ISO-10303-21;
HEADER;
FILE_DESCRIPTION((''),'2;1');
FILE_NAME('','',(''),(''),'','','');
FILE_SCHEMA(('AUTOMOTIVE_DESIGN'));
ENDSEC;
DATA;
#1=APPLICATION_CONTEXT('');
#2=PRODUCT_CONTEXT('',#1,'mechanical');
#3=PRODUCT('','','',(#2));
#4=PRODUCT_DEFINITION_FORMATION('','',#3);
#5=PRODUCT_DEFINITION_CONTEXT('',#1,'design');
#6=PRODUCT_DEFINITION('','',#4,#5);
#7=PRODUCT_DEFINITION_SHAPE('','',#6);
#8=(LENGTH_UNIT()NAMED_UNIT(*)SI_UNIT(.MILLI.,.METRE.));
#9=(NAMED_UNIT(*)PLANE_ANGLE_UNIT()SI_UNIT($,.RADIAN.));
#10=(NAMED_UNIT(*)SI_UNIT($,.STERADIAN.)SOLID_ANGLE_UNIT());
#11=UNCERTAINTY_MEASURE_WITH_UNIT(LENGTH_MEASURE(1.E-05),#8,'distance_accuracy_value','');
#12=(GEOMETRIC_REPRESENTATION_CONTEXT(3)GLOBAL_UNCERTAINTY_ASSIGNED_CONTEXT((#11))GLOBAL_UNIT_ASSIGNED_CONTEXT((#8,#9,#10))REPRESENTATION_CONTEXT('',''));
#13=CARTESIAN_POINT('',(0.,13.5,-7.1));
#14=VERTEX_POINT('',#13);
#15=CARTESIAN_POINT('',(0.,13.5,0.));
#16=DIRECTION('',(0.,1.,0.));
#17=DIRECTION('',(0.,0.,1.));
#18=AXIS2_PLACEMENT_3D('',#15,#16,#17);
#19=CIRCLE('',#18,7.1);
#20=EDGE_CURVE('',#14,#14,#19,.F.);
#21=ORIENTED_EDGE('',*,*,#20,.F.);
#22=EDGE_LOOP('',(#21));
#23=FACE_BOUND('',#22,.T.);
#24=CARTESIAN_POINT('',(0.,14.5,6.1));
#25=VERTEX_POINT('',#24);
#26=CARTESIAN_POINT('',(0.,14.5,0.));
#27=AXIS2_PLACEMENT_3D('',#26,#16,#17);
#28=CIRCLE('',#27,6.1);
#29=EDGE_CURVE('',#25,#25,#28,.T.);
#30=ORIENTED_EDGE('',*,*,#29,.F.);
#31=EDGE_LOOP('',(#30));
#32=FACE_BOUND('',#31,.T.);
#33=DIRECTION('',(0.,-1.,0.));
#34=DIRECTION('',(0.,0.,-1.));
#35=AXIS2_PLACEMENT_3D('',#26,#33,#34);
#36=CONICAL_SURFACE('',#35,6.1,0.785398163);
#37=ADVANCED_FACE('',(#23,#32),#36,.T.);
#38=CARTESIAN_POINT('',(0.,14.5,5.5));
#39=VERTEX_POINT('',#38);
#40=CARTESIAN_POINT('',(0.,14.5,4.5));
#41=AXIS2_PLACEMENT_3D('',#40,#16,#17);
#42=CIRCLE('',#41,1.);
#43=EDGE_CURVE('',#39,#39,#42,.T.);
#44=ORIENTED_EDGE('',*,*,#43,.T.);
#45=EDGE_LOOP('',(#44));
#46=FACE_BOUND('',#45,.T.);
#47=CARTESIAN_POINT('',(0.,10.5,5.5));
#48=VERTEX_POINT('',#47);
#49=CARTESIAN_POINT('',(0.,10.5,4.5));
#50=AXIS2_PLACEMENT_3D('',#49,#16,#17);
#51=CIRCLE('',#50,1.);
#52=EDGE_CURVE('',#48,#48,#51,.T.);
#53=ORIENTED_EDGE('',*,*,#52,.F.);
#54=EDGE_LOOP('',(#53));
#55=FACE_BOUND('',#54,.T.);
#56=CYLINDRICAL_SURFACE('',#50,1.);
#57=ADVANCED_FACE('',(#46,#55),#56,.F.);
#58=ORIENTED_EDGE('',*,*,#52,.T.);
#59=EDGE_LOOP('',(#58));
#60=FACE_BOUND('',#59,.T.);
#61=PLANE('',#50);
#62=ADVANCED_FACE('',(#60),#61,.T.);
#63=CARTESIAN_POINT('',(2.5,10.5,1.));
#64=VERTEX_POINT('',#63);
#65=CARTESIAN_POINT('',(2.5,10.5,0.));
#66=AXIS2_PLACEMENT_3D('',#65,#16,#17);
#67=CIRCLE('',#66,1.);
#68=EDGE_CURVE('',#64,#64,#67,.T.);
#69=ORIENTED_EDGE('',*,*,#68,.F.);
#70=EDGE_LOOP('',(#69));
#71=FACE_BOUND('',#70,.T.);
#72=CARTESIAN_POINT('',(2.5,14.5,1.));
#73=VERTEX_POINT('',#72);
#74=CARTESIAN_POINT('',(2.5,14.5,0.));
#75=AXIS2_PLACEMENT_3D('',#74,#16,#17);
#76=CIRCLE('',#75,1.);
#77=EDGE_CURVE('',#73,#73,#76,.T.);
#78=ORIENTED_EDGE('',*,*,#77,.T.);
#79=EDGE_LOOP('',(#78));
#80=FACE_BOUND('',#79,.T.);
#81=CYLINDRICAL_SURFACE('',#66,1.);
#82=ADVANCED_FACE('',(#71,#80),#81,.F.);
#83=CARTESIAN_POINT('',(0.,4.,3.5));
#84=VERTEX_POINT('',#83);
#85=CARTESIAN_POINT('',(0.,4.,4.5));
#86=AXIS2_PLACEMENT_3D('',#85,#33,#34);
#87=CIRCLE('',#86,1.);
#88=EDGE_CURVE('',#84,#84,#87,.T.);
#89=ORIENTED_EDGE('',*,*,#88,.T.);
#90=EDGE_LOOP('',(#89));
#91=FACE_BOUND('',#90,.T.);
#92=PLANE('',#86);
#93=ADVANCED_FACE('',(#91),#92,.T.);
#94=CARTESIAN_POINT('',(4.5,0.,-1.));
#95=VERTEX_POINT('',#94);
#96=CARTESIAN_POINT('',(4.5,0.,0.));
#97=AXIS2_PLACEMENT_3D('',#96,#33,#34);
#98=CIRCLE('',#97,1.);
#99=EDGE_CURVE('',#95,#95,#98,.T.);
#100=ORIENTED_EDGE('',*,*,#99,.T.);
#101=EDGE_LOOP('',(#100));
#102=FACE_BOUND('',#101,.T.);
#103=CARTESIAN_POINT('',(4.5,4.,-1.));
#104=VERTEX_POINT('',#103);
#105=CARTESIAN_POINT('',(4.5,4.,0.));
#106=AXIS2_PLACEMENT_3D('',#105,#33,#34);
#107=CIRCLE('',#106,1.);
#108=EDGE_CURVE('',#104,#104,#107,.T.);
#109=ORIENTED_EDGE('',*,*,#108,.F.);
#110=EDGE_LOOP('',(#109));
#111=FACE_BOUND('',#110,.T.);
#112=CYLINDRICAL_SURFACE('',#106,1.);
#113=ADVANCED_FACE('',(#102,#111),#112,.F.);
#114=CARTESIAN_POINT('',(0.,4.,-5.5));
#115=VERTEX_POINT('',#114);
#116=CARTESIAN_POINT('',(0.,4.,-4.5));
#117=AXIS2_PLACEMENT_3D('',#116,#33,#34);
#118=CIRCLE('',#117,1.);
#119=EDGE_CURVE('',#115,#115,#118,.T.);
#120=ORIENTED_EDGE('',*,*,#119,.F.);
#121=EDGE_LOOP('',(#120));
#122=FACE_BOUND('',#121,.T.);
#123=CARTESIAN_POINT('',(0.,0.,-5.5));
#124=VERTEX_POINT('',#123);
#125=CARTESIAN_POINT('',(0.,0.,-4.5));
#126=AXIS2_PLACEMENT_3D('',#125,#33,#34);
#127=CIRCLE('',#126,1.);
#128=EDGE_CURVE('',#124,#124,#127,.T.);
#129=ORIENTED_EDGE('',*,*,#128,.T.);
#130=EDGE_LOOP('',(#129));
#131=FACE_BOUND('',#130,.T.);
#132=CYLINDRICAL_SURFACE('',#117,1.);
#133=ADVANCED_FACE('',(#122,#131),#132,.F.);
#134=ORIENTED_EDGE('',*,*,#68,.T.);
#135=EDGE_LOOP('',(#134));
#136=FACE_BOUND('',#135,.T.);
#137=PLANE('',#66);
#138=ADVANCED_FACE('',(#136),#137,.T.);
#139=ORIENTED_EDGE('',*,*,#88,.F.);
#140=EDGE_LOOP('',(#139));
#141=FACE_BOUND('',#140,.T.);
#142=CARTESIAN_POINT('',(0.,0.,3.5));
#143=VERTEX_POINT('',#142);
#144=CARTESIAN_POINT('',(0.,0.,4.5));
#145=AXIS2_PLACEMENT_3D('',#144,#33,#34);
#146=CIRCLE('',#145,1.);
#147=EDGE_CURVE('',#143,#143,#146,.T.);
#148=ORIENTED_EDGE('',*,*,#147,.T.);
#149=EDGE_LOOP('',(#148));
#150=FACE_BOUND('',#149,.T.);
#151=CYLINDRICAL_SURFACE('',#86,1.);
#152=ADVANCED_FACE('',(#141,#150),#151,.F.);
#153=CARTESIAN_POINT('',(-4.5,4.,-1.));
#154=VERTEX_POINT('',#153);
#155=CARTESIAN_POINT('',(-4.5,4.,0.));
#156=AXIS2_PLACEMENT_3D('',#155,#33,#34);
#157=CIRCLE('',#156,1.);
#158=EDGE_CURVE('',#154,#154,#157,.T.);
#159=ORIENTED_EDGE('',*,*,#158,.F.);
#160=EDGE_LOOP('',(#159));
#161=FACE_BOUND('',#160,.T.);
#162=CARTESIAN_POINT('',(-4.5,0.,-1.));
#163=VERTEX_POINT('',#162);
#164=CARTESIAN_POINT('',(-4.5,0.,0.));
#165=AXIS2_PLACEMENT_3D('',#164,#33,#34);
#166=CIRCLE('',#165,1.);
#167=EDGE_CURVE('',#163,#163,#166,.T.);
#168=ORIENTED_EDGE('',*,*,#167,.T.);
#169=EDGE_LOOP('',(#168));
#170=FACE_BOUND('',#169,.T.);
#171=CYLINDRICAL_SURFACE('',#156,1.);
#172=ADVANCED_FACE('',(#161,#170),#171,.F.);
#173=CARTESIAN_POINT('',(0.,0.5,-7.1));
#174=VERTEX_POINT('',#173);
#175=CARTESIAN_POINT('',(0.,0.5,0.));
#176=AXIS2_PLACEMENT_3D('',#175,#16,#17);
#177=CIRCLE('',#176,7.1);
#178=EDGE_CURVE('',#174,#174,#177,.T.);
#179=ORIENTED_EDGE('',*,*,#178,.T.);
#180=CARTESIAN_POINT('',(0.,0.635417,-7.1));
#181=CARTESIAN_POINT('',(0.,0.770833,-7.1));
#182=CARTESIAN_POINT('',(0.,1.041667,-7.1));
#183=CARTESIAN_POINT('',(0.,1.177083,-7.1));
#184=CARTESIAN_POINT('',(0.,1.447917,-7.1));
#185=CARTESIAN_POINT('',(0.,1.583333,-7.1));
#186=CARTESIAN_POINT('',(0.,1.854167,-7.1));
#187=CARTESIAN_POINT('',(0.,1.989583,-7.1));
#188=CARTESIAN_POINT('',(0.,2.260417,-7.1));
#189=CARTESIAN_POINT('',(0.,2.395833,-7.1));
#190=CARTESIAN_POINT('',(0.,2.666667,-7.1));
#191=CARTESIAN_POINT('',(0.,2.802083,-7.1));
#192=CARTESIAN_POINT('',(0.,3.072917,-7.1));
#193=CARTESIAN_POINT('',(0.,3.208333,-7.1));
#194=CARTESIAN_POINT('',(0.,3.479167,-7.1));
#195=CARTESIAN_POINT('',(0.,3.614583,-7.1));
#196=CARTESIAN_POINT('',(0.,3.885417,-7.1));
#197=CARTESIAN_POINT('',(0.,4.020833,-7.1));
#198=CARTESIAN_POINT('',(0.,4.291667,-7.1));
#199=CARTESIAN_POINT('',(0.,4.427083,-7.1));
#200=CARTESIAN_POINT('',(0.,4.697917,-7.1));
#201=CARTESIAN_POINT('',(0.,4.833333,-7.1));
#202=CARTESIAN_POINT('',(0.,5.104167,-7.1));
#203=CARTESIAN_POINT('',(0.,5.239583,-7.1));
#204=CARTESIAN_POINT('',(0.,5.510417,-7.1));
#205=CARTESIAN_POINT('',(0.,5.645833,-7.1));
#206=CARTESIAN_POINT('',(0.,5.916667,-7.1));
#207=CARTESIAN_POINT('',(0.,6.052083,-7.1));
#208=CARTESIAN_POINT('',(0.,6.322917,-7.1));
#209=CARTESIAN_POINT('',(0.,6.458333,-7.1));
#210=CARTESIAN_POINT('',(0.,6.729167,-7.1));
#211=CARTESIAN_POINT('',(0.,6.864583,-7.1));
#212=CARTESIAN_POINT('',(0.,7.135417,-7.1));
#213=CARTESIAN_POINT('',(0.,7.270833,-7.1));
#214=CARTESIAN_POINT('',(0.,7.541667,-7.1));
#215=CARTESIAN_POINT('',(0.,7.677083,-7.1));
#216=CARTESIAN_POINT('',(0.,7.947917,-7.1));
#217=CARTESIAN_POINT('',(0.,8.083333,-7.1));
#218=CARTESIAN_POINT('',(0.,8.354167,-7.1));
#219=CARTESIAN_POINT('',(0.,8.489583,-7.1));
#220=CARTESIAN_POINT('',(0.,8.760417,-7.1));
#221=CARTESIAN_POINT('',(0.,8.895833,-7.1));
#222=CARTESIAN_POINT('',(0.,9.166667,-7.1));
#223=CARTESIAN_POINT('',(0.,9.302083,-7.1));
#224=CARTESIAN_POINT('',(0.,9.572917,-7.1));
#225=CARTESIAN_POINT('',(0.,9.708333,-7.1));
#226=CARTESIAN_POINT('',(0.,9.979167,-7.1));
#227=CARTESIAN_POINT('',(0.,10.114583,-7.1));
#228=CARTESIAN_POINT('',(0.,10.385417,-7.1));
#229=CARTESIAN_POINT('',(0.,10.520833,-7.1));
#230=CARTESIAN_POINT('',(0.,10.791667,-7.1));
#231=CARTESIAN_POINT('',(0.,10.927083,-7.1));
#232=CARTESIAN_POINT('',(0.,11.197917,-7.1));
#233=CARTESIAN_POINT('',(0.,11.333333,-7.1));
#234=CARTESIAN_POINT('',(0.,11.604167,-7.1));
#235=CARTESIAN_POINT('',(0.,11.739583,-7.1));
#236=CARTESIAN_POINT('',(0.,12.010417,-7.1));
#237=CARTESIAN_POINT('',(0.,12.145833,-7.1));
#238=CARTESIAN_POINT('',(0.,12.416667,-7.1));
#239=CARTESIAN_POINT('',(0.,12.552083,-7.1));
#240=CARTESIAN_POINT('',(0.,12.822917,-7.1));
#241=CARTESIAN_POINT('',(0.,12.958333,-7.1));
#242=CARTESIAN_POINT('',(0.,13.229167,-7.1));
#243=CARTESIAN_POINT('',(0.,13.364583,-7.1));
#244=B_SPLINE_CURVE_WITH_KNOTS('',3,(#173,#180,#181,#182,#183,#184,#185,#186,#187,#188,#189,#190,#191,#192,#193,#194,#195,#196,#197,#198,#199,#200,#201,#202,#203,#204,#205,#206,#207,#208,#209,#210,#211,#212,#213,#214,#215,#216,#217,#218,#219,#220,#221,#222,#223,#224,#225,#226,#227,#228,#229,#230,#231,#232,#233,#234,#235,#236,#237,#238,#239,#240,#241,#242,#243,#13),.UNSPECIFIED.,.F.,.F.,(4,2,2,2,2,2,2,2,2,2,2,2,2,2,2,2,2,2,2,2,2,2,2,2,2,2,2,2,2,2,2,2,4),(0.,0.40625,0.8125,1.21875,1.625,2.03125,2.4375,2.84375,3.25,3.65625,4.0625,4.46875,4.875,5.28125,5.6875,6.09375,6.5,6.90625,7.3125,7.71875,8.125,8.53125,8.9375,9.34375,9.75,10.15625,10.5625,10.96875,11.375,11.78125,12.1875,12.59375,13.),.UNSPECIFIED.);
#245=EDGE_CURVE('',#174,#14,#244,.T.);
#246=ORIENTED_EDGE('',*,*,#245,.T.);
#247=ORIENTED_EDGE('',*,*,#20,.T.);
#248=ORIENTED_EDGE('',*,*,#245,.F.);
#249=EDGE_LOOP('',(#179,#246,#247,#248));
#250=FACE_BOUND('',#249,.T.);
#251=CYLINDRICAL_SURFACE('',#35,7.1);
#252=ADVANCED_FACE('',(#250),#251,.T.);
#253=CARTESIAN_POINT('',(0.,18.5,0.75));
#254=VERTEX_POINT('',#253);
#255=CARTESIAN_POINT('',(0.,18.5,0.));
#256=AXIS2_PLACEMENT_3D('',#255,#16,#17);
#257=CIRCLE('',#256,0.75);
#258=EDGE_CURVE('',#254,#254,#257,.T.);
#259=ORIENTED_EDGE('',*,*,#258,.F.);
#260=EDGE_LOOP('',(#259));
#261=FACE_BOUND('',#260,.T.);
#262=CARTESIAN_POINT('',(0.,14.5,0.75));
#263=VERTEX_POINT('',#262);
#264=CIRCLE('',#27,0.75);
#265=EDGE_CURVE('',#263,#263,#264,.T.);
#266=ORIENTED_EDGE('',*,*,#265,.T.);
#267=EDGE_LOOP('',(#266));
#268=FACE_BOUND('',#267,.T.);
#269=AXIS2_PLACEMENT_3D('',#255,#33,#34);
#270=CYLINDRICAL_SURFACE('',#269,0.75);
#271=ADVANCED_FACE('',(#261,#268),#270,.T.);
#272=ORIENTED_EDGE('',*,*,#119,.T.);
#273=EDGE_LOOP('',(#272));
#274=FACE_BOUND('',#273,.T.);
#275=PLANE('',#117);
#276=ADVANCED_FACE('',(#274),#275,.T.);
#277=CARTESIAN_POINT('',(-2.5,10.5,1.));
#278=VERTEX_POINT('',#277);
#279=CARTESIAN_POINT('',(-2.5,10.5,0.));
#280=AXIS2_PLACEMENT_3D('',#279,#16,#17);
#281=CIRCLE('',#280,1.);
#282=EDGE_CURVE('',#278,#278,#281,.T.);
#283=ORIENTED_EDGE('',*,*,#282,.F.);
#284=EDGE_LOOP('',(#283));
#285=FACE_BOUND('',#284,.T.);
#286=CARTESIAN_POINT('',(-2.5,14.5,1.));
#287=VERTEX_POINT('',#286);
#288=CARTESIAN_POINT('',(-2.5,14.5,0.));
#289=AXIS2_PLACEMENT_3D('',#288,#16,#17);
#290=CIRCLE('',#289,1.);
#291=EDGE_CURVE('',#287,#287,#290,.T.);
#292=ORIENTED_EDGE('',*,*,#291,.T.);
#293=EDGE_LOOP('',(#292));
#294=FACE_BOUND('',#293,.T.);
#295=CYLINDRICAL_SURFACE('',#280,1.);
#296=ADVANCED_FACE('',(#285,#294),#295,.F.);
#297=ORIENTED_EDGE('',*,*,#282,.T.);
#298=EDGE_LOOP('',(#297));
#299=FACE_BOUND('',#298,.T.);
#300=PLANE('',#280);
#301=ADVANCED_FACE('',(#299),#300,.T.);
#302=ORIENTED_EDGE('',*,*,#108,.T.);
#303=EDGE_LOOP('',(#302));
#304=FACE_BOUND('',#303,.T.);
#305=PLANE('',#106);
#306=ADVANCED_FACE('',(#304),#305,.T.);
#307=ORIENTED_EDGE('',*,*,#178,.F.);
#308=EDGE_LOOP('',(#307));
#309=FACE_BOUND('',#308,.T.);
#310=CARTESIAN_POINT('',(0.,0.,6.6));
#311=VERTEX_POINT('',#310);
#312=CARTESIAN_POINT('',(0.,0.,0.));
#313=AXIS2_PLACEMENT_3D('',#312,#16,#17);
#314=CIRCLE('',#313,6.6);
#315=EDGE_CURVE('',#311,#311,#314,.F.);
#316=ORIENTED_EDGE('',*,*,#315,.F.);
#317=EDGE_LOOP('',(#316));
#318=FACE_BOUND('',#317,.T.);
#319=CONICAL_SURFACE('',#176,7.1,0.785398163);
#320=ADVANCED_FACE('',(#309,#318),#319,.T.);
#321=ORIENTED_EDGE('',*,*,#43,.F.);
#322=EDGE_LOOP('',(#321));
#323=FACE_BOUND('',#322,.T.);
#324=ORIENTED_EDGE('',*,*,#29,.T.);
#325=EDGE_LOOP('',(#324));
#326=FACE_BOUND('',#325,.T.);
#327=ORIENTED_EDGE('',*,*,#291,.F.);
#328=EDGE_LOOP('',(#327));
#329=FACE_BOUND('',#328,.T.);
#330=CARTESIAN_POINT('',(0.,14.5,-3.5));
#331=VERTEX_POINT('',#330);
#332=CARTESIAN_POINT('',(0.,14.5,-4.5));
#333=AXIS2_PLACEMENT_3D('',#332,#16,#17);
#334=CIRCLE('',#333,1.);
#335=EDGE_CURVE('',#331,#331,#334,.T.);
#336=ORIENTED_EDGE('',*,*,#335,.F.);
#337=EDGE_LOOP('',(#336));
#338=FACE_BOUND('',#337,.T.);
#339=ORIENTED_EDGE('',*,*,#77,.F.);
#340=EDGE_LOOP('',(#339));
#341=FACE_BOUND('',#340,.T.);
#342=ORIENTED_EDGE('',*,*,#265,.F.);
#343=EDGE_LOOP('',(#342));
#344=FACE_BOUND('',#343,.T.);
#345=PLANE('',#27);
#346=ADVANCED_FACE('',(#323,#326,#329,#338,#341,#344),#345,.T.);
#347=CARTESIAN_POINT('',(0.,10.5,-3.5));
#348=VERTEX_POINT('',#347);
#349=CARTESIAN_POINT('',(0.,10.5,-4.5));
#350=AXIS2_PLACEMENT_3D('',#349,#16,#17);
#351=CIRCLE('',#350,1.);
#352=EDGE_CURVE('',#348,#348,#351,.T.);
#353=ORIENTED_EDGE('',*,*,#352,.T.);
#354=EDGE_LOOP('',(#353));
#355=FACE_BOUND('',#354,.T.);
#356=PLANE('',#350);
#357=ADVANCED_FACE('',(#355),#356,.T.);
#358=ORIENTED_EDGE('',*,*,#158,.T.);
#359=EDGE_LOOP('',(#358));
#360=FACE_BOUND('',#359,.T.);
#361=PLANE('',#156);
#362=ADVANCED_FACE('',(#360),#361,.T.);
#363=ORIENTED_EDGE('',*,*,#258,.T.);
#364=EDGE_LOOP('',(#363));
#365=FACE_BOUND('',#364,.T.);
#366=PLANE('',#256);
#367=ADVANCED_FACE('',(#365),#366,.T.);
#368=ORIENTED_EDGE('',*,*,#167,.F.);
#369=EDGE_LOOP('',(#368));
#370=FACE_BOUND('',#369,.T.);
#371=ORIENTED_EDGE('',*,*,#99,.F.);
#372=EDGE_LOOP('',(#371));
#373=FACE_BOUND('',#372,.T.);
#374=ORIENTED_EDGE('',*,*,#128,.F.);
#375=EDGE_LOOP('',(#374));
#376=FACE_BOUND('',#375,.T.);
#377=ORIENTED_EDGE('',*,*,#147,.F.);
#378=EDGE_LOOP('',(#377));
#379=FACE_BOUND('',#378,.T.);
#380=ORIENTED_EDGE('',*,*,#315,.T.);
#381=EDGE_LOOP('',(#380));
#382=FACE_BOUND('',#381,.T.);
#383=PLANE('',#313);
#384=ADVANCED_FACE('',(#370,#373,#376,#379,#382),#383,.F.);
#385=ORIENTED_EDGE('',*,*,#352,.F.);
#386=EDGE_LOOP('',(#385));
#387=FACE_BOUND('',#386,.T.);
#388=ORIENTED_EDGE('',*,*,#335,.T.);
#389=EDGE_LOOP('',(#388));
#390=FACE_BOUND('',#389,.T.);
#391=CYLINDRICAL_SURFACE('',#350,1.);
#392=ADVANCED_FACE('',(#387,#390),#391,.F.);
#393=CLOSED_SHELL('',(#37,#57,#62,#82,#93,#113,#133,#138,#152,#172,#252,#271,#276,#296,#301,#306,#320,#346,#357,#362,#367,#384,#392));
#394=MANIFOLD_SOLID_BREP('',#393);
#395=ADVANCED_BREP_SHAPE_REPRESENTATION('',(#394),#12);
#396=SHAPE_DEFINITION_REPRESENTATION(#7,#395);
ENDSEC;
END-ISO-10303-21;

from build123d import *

# Parameters (mm, degrees)
SKETCH1_R           = 7.1
BOSS_EXTRUDE1_DEPTH = 14.5
SKETCH2_R           = 0.75
BOSS_EXTRUDE2_DEPTH = 4
SKETCH3_R           = 1
CUT_EXTRUDE1_DEPTH  = 4
CUT_EXTRUDE2_START  = -4
SKETCH4_R           = 1
CUT_EXTRUDE2_DEPTH  = 4
CHAMFER1_SIZE       = 1
CHAMFER2_SIZE       = 0.5


with BuildPart() as part:
    # Sketch1 → Boss-Extrude1 (new body)
    with BuildSketch(Plane(origin=(0, 0, 0), x_dir=(1, 0, 0), z_dir=(0, 1, 0))):
        with Locations(Location((0, 0, 0), (0, 0, 90))):
            Circle(SKETCH1_R)
    extrude(amount=BOSS_EXTRUDE1_DEPTH)

    # Sketch2 → Boss-Extrude2 (add)
    with BuildSketch(Plane(origin=(0, 14.5, 0), x_dir=(1, 0, 0), z_dir=(0, 1, 0))):
        with Locations(Location((0, 0, 0), (0, 0, 270))):
            Circle(SKETCH2_R)
    extrude(amount=BOSS_EXTRUDE2_DEPTH)

    # Sketch3 → Cut-Extrude1 (cut)
    with BuildSketch(Plane.XZ):
        with Locations(Location((-4.5, 0, 0), (0, 0, 270))):
            Circle(SKETCH3_R)
        with Locations(Location((0, 4.5, 0), (0, 0, 270))):
            Circle(SKETCH3_R)
        with Locations(Location((0, -4.5, 0), (0, 0, 270))):
            Circle(SKETCH3_R)
        with Locations(Location((4.5, 0, 0), (0, 0, 270))):
            Circle(SKETCH3_R)
    extrude(amount=-CUT_EXTRUDE1_DEPTH, mode=Mode.SUBTRACT)

    # Sketch4 → Cut-Extrude2 (cut)
    with BuildSketch(Plane(origin=(0, 14.5, 0), x_dir=(1, 0, 0), z_dir=(0, 1, 0)).offset(CUT_EXTRUDE2_START)):
        with Locations(Location((-2.5, 0, 0), (0, 0, 270))):
            Circle(SKETCH4_R)
        with Locations(Location((0, 4.5, 0), (0, 0, 90))):
            Circle(SKETCH4_R)
        with Locations(Location((0, -4.5, 0), (0, 0, 90))):
            Circle(SKETCH4_R)
        with Locations(Location((2.5, 0, 0), (0, 0, 270))):
            Circle(SKETCH4_R)
    extrude(amount=CUT_EXTRUDE2_DEPTH, mode=Mode.SUBTRACT)

    # Chamfer1
    chamfer1_edges = [part.edges().sort_by_distance(p)[0] for p in [
        (0, 14.5, 7.1),
    ]]
    chamfer(chamfer1_edges, length=CHAMFER1_SIZE)

    # Chamfer2
    chamfer2_edges = [part.edges().sort_by_distance(p)[0] for p in [
        (0, 0, 7.1),
    ]]
    chamfer(chamfer2_edges, length=CHAMFER2_SIZE)


solid = part.part
